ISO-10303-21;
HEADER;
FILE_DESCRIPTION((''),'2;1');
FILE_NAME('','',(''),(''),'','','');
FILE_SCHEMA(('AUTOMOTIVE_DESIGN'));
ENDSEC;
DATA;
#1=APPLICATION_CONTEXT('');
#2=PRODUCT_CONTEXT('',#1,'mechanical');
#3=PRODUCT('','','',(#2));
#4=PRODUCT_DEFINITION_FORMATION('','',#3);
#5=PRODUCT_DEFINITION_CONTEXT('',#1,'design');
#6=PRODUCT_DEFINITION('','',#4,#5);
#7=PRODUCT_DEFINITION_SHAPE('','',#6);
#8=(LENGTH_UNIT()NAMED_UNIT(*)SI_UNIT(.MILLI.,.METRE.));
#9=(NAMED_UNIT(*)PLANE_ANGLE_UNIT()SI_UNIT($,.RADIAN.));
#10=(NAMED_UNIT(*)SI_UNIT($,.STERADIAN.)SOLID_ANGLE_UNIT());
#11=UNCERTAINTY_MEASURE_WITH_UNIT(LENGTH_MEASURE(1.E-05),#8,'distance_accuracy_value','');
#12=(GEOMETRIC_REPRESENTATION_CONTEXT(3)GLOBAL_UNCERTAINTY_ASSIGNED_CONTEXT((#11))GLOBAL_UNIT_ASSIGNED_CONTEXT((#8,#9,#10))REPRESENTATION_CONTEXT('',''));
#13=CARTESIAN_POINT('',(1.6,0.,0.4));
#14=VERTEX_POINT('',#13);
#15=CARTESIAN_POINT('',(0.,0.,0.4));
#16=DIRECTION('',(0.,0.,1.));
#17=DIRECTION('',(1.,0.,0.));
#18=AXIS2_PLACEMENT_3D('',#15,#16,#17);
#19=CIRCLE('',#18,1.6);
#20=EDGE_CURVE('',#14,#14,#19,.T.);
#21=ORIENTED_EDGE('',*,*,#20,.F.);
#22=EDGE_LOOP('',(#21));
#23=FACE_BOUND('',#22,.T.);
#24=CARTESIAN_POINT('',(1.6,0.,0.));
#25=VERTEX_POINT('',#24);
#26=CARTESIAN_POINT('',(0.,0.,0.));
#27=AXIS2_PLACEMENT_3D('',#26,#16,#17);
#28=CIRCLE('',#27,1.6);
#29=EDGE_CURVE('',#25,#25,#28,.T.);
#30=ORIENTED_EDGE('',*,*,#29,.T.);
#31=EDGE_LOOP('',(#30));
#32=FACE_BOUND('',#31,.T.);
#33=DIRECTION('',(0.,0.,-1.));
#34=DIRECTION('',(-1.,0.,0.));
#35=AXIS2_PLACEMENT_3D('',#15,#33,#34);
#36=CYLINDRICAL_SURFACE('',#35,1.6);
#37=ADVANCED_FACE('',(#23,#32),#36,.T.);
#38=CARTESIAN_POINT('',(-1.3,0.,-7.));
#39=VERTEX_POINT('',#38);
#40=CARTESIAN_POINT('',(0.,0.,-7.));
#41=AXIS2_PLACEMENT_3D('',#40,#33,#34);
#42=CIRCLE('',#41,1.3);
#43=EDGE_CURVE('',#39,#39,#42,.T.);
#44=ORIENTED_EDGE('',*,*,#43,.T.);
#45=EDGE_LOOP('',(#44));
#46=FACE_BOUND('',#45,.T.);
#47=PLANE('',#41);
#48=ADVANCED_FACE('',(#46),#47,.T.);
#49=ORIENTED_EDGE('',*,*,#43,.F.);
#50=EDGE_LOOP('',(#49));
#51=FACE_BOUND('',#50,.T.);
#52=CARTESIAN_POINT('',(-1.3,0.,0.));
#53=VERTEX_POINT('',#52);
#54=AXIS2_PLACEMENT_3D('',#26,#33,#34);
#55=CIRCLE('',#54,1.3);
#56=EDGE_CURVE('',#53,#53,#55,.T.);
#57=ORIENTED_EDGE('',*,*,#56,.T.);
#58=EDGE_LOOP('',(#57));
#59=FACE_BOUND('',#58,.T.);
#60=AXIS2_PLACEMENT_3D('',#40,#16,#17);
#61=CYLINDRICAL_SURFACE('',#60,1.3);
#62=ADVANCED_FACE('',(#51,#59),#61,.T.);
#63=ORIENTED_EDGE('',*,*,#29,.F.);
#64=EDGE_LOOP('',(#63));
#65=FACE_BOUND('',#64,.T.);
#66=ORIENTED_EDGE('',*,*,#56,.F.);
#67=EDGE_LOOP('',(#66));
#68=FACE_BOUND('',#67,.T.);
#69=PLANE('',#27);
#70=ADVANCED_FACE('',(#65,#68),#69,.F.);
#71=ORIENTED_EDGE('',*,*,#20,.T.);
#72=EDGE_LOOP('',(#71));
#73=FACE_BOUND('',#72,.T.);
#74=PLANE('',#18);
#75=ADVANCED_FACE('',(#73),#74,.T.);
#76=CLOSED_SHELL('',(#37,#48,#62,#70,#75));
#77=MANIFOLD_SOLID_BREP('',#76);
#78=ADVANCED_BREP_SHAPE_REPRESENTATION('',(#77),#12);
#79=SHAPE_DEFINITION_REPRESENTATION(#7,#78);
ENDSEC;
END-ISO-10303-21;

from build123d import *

# Parameters (mm, degrees)
SKETCH1_R           = 1.6
BOSS_EXTRUDE1_DEPTH = 0.4
SKETCH2_R           = 1.3
BOSS_EXTRUDE2_DEPTH = 7


with BuildPart() as part:
    # Sketch1 → Boss-Extrude1 (new body)
    with BuildSketch(Plane.XY):
        Circle(SKETCH1_R)
    extrude(amount=BOSS_EXTRUDE1_DEPTH)

    # Sketch2 → Boss-Extrude2 (add)
    with BuildSketch(Plane(origin=(0, 0, 0), x_dir=(-1, 0, 0), z_dir=(0, 0, -1))):
        Circle(SKETCH2_R)
    extrude(amount=BOSS_EXTRUDE2_DEPTH)


solid = part.part
